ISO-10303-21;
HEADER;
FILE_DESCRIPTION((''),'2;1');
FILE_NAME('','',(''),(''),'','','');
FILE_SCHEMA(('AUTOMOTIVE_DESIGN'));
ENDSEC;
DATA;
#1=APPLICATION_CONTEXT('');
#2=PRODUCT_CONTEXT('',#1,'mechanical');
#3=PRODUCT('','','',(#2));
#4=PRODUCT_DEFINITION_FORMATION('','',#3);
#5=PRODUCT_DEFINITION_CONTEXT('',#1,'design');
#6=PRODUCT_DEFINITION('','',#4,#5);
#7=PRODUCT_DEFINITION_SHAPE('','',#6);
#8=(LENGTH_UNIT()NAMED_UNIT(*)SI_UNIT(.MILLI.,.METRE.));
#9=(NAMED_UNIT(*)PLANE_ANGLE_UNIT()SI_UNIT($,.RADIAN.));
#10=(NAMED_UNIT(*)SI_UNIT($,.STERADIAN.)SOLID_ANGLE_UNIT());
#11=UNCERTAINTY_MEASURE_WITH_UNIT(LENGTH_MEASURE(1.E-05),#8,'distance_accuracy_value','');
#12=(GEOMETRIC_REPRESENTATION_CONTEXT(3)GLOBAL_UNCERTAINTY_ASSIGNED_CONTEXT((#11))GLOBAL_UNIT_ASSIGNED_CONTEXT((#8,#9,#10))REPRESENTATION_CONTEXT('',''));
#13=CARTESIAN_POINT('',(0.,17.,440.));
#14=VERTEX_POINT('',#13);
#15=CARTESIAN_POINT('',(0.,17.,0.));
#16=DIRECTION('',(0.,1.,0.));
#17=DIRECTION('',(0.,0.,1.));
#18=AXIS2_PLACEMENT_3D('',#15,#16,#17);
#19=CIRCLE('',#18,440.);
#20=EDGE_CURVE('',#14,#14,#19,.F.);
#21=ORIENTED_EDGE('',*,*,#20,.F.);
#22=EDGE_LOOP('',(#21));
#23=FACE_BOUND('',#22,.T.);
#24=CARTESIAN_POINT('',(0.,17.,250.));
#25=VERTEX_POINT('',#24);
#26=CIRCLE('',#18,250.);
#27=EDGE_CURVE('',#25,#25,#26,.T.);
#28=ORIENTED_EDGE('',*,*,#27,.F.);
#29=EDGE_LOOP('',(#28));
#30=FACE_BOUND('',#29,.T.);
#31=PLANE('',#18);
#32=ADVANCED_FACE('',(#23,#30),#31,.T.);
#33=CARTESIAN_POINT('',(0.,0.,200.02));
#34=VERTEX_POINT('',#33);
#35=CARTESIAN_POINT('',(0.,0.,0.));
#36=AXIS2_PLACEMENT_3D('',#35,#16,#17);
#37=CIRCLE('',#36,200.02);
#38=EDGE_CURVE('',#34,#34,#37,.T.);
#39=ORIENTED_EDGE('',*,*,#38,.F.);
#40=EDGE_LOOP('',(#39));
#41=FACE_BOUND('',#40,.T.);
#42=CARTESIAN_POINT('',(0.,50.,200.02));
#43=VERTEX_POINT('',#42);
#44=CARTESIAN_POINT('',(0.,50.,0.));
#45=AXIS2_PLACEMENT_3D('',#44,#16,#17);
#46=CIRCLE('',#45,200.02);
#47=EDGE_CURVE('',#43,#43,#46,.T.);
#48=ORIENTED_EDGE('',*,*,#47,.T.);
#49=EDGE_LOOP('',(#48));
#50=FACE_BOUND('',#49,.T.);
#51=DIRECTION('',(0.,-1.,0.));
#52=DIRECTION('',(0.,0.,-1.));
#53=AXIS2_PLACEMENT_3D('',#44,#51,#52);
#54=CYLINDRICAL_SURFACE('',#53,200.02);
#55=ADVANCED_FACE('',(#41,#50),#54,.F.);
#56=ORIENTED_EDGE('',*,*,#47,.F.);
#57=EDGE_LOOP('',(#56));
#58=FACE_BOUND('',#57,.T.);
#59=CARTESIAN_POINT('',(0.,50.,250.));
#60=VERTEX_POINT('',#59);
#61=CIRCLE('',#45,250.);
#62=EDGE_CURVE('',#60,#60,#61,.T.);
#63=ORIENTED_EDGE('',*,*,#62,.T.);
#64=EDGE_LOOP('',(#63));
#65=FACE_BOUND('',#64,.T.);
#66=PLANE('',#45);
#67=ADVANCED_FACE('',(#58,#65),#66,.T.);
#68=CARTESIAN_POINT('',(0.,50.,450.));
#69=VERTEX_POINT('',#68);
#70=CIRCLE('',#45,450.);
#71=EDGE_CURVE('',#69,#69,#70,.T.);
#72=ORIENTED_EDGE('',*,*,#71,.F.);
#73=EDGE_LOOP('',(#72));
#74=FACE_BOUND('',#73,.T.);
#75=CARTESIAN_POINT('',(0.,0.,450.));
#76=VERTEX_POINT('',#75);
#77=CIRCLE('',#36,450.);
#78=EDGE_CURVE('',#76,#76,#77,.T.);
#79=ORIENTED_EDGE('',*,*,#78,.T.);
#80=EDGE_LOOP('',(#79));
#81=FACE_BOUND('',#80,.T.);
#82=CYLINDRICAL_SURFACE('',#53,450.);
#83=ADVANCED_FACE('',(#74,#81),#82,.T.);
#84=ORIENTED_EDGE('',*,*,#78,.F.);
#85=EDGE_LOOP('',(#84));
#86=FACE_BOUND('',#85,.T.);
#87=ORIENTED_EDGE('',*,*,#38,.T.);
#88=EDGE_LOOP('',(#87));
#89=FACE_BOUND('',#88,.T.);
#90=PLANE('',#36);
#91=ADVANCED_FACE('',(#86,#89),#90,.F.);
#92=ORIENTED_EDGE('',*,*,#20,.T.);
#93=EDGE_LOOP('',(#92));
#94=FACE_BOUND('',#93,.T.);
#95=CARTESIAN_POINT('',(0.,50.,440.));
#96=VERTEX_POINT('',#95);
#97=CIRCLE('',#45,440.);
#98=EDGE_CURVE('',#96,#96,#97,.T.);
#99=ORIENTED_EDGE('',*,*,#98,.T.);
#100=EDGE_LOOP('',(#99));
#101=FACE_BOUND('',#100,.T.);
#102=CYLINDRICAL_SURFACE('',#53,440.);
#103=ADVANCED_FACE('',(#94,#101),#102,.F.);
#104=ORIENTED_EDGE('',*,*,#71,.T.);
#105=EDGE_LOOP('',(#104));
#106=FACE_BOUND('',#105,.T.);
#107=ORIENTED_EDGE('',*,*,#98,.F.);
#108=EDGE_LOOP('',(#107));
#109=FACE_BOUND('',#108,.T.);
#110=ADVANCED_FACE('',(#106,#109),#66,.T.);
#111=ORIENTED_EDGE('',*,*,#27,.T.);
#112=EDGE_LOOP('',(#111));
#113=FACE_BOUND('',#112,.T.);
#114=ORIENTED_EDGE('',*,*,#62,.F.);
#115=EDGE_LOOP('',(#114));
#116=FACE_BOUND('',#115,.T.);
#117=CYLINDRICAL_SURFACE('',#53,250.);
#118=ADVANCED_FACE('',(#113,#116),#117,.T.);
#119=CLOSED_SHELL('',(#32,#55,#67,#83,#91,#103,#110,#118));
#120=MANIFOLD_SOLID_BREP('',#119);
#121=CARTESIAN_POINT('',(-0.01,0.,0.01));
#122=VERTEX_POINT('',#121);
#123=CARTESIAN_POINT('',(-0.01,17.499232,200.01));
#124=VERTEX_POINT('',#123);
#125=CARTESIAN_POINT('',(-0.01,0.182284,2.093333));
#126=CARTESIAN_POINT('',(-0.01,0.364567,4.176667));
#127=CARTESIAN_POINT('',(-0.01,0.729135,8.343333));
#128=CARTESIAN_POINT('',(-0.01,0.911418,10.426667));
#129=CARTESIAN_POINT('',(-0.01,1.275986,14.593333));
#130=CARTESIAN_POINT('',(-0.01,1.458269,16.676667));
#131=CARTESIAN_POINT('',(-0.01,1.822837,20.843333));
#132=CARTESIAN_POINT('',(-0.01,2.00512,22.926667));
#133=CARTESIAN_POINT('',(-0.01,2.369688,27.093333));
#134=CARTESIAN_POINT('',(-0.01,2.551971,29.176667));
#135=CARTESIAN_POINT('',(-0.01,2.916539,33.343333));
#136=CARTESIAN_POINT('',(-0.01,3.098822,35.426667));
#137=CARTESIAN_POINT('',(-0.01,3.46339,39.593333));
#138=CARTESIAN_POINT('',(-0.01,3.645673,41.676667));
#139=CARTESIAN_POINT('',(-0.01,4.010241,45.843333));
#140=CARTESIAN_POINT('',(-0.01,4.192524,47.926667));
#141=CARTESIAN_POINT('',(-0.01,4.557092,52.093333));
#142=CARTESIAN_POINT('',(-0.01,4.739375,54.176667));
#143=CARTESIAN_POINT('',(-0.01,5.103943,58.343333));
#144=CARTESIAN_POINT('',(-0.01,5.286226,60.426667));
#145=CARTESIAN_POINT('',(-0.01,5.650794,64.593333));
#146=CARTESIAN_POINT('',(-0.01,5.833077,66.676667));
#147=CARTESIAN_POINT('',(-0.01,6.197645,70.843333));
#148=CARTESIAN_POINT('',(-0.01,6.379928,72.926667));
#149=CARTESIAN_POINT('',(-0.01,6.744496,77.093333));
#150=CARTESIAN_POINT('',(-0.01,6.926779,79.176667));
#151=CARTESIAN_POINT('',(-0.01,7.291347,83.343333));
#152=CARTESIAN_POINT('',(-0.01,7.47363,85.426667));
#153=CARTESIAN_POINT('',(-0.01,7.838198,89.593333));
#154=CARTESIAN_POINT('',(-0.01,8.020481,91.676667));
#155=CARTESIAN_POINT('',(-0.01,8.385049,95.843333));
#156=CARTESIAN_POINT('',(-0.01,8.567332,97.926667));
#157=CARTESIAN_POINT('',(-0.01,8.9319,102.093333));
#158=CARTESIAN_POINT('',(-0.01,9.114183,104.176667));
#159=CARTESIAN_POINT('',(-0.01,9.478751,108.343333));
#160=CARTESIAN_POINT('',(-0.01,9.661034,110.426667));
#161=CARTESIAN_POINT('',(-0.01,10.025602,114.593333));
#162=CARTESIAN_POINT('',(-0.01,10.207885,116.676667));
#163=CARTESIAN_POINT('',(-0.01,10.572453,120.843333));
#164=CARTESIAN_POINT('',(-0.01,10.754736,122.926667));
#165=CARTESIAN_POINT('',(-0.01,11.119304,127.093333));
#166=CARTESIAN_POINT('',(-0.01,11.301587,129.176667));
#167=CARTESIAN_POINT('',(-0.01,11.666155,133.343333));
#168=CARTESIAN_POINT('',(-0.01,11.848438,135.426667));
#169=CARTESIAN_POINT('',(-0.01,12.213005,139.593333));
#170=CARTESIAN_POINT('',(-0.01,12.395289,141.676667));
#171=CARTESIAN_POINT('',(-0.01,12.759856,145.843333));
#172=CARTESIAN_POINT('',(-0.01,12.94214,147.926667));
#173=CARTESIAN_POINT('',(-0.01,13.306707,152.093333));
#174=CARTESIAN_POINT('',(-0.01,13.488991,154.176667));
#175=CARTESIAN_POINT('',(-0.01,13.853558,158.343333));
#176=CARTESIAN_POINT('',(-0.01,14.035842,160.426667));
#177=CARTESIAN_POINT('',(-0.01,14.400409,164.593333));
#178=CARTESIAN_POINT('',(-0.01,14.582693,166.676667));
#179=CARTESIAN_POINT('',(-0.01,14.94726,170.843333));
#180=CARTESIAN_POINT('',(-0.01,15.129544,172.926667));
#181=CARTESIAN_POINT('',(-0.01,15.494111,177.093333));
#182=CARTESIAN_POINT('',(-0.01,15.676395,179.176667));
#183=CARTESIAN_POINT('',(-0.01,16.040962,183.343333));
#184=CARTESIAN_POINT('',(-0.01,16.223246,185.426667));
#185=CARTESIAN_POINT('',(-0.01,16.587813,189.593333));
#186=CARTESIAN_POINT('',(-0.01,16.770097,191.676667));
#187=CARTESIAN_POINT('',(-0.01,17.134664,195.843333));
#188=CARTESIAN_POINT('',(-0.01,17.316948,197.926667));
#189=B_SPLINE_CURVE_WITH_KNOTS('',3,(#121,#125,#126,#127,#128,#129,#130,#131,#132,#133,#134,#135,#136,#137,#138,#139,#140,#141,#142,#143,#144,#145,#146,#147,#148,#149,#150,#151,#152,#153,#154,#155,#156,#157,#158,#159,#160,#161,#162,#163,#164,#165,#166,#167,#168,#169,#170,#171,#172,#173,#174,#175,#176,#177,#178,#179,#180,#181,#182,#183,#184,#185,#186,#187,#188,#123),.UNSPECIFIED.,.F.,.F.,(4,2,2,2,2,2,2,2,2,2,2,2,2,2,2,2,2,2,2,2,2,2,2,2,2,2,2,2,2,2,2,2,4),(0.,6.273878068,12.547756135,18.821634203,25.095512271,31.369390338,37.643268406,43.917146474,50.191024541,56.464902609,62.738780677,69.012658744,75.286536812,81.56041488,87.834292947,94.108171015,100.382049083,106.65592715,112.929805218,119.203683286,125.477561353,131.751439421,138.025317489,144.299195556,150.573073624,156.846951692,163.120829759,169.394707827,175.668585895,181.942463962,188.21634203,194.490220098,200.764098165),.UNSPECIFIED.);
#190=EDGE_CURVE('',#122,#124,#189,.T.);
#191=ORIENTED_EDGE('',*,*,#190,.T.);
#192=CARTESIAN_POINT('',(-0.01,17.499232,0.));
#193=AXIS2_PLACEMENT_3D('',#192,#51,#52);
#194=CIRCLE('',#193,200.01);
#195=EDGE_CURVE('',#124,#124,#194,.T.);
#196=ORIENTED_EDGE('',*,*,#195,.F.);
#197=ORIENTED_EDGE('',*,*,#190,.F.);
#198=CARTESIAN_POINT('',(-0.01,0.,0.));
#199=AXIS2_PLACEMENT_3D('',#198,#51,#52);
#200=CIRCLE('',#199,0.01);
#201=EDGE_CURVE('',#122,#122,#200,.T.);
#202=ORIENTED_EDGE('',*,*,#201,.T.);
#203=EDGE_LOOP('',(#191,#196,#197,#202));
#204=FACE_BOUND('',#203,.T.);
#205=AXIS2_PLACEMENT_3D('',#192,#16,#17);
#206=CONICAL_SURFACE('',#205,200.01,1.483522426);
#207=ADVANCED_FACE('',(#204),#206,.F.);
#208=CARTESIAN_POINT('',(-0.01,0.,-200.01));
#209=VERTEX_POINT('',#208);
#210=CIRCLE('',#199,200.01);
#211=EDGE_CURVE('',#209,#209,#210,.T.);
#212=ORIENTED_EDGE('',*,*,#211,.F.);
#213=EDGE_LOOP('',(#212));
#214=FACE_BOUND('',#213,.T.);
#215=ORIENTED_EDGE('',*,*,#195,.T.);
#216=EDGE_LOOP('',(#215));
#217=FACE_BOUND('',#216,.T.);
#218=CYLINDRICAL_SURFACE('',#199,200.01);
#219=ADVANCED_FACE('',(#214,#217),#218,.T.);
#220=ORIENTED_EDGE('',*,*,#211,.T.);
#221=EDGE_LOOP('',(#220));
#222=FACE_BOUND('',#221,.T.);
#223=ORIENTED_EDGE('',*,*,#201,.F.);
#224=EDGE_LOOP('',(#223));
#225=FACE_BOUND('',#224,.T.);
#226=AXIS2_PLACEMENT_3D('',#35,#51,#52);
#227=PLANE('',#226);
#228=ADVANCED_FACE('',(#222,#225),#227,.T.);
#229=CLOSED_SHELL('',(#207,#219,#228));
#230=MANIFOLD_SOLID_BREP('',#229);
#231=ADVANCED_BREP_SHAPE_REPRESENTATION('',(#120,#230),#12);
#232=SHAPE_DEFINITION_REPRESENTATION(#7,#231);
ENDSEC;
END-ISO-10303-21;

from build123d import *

# Parameters (mm, degrees)
SKETCH_8_R        = 250
SKETCH_8_R_2      = 200.02
EXTRUDE_1_DEPTH   = 50
SKETCH_8_R_3      = 450
SKETCH_8_R_4      = 440
EXTRUDE_1_2_DEPTH = 50
SKETCH_8_3_R      = 440
SKETCH_8_3_R_2    = 250
EXTRUDE_2_DEPTH   = 17


with BuildPart() as part:
    # 草图1 → 旋转1 (revolve)
    with BuildSketch(Plane.XY):
        Polygon((0, 0), (200, 17.49923176), (200, 0), align=None)
    revolve(axis=Axis((-0.01, 0, 0), (0, 1, 0)))


with BuildPart() as body_2:
    # 草图8 → 凸台-拉伸1 (new body)
    with BuildSketch(Plane(origin=(0, 0, 0), x_dir=(1, 0, 0), z_dir=(0, 1, 0))):
        Circle(SKETCH_8_R)
        Circle(SKETCH_8_R_2, mode=Mode.SUBTRACT)
    extrude(amount=EXTRUDE_1_DEPTH)



with BuildPart() as body_3:
    # 草图8 → Extrude 1 2 (new body)
    with BuildSketch(Plane(origin=(0, 0, 0), x_dir=(1, 0, 0), z_dir=(0, 1, 0))):
        Circle(SKETCH_8_R_3)
        Circle(SKETCH_8_R_4, mode=Mode.SUBTRACT)
    extrude(amount=EXTRUDE_1_2_DEPTH)


with BuildPart() as body_2_1:
    add(body_2.part)

    add(body_3.part)  # 凸台-拉伸2 merges body 3
    # 草图8<3> → 凸台-拉伸2 (add)
    with BuildSketch(Plane(origin=(0, 0, 0), x_dir=(1, 0, 0), z_dir=(0, 1, 0))):
        Circle(SKETCH_8_3_R)
        Circle(SKETCH_8_3_R_2, mode=Mode.SUBTRACT)
    extrude(amount=EXTRUDE_2_DEPTH)


solid = Compound([part.part, body_2_1.part])
